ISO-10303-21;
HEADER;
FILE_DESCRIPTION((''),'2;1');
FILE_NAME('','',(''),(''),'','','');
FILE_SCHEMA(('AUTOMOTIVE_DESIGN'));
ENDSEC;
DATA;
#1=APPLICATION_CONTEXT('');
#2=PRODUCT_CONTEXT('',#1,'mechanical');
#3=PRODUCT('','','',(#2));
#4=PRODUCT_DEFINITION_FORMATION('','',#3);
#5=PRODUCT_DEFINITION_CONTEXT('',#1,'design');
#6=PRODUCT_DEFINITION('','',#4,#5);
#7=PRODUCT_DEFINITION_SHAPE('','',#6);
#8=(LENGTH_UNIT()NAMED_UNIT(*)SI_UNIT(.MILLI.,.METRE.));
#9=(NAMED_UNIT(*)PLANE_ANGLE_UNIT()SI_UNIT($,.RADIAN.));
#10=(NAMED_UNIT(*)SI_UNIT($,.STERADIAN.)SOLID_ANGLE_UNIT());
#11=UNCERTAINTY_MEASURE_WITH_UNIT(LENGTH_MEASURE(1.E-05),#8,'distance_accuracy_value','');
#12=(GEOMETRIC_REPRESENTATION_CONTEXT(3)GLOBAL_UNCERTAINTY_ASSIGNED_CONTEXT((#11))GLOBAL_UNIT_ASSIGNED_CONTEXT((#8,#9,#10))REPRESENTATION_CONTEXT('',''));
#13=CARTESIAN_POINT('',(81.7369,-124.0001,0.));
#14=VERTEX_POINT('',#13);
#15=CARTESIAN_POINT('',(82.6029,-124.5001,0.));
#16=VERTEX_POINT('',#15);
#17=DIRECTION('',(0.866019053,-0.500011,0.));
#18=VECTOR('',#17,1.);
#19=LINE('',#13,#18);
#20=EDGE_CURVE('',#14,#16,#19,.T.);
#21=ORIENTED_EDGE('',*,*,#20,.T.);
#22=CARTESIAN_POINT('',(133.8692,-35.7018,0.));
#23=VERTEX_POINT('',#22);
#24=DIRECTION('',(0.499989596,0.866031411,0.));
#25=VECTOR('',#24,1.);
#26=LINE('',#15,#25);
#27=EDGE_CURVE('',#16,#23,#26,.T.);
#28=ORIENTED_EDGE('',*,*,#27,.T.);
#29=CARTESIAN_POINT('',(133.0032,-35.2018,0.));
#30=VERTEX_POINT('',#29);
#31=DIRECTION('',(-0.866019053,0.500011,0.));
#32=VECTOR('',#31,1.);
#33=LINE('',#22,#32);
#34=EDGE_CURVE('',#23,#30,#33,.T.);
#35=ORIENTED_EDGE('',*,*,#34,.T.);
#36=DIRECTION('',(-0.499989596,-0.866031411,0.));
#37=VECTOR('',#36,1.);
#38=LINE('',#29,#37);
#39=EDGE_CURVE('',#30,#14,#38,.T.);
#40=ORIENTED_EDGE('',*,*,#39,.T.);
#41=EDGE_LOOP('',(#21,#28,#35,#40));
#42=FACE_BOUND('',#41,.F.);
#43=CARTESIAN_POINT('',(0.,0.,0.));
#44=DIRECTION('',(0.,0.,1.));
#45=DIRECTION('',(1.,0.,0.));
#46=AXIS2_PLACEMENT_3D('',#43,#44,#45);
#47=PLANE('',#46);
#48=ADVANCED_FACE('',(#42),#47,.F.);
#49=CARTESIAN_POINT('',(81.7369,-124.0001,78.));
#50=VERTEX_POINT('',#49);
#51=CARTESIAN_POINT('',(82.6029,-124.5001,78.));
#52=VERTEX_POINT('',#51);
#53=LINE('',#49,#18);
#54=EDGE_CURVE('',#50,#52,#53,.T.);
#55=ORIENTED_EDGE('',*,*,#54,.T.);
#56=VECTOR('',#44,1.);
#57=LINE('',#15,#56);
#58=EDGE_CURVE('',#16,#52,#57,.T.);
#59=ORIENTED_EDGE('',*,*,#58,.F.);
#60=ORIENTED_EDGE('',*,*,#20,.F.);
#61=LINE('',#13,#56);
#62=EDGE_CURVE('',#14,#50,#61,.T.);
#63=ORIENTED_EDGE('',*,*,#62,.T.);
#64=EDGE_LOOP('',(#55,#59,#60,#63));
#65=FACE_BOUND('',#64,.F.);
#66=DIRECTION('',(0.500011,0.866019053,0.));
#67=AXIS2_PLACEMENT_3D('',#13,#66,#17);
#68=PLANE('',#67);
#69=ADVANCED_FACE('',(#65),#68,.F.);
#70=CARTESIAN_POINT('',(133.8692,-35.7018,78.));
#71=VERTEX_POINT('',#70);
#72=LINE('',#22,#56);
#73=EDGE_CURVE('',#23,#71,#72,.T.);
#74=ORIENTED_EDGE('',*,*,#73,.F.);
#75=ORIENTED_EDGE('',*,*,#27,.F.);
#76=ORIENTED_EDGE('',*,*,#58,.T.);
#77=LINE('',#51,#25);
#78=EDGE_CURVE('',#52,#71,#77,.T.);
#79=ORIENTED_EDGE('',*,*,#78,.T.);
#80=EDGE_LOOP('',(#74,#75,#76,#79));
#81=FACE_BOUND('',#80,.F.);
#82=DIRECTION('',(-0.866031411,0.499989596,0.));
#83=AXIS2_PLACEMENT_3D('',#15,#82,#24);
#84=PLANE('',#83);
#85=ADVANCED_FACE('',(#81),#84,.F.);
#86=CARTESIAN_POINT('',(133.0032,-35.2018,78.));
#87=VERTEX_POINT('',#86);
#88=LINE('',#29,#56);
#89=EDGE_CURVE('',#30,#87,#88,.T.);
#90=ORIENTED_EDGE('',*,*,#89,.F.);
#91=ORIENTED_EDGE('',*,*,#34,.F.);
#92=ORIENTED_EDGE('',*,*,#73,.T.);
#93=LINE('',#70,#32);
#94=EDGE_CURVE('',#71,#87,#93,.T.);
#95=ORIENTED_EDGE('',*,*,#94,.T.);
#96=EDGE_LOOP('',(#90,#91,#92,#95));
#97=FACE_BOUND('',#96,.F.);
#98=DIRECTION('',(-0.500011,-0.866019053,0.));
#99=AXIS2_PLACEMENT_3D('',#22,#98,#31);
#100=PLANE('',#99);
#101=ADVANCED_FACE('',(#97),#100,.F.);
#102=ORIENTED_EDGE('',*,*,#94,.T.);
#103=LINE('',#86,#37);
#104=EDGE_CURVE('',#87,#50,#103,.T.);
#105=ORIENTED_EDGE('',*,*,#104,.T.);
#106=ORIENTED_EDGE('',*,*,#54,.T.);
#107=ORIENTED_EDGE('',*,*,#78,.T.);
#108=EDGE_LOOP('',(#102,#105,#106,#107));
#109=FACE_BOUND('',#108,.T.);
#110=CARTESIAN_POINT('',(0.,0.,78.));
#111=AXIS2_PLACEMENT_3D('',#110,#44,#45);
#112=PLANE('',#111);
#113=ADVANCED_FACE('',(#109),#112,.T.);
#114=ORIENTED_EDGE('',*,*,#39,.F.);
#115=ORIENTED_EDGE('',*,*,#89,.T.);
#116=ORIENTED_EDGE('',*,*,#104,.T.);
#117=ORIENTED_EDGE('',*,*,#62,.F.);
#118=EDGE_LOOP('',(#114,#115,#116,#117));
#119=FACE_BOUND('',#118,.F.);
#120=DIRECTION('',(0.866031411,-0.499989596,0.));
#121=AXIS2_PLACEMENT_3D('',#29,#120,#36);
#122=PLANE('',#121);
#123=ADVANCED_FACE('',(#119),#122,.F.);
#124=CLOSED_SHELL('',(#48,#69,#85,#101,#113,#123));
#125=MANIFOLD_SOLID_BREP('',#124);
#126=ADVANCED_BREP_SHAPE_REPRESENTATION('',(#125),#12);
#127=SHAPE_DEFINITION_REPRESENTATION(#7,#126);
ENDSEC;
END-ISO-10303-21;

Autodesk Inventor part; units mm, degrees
ref_plane "YZ Plane" through (0, 0, 0) normal (1, 0, 0) x (0, 1, 0)
ref_plane "XZ Plane" through (0, 0, 0) normal (0, 1, 0) x (-1, 0, 0)
ref_plane "XY Plane" through (0, 0, 0) normal (0, 0, 1) x (1, 0, 0)
sketch "Sketch1" plane through (0, 0, 0) normal (0, 0, 1) x (1, 0, 0)
  line L0 (133.0032, 6.0018) -> (134.0032, 6.0018)
  line L1 (134.0032, 6.0018) -> (133.0032, 6.0018)
  line L2 (133.0032, -35.2018) -> (81.7369, -124.0001)
  line L3 (81.7369, -124.0001) -> (82.6029, -124.5001)
  line L4 (82.6029, -124.5001) -> (133.8692, -35.7018)
  line L5 (133.8692, -35.7018) -> (133.0032, -35.2018)
  point P0 (0, 0)
  dimension "d0" = 1
  dimension "d1" = 1
  dimension "d4" = 102.5347
extrude "Extrusion1" add sketch "Sketch1" along normal blind 78
properties part number "Cabin Back Panel" material "Steel, Mild"
